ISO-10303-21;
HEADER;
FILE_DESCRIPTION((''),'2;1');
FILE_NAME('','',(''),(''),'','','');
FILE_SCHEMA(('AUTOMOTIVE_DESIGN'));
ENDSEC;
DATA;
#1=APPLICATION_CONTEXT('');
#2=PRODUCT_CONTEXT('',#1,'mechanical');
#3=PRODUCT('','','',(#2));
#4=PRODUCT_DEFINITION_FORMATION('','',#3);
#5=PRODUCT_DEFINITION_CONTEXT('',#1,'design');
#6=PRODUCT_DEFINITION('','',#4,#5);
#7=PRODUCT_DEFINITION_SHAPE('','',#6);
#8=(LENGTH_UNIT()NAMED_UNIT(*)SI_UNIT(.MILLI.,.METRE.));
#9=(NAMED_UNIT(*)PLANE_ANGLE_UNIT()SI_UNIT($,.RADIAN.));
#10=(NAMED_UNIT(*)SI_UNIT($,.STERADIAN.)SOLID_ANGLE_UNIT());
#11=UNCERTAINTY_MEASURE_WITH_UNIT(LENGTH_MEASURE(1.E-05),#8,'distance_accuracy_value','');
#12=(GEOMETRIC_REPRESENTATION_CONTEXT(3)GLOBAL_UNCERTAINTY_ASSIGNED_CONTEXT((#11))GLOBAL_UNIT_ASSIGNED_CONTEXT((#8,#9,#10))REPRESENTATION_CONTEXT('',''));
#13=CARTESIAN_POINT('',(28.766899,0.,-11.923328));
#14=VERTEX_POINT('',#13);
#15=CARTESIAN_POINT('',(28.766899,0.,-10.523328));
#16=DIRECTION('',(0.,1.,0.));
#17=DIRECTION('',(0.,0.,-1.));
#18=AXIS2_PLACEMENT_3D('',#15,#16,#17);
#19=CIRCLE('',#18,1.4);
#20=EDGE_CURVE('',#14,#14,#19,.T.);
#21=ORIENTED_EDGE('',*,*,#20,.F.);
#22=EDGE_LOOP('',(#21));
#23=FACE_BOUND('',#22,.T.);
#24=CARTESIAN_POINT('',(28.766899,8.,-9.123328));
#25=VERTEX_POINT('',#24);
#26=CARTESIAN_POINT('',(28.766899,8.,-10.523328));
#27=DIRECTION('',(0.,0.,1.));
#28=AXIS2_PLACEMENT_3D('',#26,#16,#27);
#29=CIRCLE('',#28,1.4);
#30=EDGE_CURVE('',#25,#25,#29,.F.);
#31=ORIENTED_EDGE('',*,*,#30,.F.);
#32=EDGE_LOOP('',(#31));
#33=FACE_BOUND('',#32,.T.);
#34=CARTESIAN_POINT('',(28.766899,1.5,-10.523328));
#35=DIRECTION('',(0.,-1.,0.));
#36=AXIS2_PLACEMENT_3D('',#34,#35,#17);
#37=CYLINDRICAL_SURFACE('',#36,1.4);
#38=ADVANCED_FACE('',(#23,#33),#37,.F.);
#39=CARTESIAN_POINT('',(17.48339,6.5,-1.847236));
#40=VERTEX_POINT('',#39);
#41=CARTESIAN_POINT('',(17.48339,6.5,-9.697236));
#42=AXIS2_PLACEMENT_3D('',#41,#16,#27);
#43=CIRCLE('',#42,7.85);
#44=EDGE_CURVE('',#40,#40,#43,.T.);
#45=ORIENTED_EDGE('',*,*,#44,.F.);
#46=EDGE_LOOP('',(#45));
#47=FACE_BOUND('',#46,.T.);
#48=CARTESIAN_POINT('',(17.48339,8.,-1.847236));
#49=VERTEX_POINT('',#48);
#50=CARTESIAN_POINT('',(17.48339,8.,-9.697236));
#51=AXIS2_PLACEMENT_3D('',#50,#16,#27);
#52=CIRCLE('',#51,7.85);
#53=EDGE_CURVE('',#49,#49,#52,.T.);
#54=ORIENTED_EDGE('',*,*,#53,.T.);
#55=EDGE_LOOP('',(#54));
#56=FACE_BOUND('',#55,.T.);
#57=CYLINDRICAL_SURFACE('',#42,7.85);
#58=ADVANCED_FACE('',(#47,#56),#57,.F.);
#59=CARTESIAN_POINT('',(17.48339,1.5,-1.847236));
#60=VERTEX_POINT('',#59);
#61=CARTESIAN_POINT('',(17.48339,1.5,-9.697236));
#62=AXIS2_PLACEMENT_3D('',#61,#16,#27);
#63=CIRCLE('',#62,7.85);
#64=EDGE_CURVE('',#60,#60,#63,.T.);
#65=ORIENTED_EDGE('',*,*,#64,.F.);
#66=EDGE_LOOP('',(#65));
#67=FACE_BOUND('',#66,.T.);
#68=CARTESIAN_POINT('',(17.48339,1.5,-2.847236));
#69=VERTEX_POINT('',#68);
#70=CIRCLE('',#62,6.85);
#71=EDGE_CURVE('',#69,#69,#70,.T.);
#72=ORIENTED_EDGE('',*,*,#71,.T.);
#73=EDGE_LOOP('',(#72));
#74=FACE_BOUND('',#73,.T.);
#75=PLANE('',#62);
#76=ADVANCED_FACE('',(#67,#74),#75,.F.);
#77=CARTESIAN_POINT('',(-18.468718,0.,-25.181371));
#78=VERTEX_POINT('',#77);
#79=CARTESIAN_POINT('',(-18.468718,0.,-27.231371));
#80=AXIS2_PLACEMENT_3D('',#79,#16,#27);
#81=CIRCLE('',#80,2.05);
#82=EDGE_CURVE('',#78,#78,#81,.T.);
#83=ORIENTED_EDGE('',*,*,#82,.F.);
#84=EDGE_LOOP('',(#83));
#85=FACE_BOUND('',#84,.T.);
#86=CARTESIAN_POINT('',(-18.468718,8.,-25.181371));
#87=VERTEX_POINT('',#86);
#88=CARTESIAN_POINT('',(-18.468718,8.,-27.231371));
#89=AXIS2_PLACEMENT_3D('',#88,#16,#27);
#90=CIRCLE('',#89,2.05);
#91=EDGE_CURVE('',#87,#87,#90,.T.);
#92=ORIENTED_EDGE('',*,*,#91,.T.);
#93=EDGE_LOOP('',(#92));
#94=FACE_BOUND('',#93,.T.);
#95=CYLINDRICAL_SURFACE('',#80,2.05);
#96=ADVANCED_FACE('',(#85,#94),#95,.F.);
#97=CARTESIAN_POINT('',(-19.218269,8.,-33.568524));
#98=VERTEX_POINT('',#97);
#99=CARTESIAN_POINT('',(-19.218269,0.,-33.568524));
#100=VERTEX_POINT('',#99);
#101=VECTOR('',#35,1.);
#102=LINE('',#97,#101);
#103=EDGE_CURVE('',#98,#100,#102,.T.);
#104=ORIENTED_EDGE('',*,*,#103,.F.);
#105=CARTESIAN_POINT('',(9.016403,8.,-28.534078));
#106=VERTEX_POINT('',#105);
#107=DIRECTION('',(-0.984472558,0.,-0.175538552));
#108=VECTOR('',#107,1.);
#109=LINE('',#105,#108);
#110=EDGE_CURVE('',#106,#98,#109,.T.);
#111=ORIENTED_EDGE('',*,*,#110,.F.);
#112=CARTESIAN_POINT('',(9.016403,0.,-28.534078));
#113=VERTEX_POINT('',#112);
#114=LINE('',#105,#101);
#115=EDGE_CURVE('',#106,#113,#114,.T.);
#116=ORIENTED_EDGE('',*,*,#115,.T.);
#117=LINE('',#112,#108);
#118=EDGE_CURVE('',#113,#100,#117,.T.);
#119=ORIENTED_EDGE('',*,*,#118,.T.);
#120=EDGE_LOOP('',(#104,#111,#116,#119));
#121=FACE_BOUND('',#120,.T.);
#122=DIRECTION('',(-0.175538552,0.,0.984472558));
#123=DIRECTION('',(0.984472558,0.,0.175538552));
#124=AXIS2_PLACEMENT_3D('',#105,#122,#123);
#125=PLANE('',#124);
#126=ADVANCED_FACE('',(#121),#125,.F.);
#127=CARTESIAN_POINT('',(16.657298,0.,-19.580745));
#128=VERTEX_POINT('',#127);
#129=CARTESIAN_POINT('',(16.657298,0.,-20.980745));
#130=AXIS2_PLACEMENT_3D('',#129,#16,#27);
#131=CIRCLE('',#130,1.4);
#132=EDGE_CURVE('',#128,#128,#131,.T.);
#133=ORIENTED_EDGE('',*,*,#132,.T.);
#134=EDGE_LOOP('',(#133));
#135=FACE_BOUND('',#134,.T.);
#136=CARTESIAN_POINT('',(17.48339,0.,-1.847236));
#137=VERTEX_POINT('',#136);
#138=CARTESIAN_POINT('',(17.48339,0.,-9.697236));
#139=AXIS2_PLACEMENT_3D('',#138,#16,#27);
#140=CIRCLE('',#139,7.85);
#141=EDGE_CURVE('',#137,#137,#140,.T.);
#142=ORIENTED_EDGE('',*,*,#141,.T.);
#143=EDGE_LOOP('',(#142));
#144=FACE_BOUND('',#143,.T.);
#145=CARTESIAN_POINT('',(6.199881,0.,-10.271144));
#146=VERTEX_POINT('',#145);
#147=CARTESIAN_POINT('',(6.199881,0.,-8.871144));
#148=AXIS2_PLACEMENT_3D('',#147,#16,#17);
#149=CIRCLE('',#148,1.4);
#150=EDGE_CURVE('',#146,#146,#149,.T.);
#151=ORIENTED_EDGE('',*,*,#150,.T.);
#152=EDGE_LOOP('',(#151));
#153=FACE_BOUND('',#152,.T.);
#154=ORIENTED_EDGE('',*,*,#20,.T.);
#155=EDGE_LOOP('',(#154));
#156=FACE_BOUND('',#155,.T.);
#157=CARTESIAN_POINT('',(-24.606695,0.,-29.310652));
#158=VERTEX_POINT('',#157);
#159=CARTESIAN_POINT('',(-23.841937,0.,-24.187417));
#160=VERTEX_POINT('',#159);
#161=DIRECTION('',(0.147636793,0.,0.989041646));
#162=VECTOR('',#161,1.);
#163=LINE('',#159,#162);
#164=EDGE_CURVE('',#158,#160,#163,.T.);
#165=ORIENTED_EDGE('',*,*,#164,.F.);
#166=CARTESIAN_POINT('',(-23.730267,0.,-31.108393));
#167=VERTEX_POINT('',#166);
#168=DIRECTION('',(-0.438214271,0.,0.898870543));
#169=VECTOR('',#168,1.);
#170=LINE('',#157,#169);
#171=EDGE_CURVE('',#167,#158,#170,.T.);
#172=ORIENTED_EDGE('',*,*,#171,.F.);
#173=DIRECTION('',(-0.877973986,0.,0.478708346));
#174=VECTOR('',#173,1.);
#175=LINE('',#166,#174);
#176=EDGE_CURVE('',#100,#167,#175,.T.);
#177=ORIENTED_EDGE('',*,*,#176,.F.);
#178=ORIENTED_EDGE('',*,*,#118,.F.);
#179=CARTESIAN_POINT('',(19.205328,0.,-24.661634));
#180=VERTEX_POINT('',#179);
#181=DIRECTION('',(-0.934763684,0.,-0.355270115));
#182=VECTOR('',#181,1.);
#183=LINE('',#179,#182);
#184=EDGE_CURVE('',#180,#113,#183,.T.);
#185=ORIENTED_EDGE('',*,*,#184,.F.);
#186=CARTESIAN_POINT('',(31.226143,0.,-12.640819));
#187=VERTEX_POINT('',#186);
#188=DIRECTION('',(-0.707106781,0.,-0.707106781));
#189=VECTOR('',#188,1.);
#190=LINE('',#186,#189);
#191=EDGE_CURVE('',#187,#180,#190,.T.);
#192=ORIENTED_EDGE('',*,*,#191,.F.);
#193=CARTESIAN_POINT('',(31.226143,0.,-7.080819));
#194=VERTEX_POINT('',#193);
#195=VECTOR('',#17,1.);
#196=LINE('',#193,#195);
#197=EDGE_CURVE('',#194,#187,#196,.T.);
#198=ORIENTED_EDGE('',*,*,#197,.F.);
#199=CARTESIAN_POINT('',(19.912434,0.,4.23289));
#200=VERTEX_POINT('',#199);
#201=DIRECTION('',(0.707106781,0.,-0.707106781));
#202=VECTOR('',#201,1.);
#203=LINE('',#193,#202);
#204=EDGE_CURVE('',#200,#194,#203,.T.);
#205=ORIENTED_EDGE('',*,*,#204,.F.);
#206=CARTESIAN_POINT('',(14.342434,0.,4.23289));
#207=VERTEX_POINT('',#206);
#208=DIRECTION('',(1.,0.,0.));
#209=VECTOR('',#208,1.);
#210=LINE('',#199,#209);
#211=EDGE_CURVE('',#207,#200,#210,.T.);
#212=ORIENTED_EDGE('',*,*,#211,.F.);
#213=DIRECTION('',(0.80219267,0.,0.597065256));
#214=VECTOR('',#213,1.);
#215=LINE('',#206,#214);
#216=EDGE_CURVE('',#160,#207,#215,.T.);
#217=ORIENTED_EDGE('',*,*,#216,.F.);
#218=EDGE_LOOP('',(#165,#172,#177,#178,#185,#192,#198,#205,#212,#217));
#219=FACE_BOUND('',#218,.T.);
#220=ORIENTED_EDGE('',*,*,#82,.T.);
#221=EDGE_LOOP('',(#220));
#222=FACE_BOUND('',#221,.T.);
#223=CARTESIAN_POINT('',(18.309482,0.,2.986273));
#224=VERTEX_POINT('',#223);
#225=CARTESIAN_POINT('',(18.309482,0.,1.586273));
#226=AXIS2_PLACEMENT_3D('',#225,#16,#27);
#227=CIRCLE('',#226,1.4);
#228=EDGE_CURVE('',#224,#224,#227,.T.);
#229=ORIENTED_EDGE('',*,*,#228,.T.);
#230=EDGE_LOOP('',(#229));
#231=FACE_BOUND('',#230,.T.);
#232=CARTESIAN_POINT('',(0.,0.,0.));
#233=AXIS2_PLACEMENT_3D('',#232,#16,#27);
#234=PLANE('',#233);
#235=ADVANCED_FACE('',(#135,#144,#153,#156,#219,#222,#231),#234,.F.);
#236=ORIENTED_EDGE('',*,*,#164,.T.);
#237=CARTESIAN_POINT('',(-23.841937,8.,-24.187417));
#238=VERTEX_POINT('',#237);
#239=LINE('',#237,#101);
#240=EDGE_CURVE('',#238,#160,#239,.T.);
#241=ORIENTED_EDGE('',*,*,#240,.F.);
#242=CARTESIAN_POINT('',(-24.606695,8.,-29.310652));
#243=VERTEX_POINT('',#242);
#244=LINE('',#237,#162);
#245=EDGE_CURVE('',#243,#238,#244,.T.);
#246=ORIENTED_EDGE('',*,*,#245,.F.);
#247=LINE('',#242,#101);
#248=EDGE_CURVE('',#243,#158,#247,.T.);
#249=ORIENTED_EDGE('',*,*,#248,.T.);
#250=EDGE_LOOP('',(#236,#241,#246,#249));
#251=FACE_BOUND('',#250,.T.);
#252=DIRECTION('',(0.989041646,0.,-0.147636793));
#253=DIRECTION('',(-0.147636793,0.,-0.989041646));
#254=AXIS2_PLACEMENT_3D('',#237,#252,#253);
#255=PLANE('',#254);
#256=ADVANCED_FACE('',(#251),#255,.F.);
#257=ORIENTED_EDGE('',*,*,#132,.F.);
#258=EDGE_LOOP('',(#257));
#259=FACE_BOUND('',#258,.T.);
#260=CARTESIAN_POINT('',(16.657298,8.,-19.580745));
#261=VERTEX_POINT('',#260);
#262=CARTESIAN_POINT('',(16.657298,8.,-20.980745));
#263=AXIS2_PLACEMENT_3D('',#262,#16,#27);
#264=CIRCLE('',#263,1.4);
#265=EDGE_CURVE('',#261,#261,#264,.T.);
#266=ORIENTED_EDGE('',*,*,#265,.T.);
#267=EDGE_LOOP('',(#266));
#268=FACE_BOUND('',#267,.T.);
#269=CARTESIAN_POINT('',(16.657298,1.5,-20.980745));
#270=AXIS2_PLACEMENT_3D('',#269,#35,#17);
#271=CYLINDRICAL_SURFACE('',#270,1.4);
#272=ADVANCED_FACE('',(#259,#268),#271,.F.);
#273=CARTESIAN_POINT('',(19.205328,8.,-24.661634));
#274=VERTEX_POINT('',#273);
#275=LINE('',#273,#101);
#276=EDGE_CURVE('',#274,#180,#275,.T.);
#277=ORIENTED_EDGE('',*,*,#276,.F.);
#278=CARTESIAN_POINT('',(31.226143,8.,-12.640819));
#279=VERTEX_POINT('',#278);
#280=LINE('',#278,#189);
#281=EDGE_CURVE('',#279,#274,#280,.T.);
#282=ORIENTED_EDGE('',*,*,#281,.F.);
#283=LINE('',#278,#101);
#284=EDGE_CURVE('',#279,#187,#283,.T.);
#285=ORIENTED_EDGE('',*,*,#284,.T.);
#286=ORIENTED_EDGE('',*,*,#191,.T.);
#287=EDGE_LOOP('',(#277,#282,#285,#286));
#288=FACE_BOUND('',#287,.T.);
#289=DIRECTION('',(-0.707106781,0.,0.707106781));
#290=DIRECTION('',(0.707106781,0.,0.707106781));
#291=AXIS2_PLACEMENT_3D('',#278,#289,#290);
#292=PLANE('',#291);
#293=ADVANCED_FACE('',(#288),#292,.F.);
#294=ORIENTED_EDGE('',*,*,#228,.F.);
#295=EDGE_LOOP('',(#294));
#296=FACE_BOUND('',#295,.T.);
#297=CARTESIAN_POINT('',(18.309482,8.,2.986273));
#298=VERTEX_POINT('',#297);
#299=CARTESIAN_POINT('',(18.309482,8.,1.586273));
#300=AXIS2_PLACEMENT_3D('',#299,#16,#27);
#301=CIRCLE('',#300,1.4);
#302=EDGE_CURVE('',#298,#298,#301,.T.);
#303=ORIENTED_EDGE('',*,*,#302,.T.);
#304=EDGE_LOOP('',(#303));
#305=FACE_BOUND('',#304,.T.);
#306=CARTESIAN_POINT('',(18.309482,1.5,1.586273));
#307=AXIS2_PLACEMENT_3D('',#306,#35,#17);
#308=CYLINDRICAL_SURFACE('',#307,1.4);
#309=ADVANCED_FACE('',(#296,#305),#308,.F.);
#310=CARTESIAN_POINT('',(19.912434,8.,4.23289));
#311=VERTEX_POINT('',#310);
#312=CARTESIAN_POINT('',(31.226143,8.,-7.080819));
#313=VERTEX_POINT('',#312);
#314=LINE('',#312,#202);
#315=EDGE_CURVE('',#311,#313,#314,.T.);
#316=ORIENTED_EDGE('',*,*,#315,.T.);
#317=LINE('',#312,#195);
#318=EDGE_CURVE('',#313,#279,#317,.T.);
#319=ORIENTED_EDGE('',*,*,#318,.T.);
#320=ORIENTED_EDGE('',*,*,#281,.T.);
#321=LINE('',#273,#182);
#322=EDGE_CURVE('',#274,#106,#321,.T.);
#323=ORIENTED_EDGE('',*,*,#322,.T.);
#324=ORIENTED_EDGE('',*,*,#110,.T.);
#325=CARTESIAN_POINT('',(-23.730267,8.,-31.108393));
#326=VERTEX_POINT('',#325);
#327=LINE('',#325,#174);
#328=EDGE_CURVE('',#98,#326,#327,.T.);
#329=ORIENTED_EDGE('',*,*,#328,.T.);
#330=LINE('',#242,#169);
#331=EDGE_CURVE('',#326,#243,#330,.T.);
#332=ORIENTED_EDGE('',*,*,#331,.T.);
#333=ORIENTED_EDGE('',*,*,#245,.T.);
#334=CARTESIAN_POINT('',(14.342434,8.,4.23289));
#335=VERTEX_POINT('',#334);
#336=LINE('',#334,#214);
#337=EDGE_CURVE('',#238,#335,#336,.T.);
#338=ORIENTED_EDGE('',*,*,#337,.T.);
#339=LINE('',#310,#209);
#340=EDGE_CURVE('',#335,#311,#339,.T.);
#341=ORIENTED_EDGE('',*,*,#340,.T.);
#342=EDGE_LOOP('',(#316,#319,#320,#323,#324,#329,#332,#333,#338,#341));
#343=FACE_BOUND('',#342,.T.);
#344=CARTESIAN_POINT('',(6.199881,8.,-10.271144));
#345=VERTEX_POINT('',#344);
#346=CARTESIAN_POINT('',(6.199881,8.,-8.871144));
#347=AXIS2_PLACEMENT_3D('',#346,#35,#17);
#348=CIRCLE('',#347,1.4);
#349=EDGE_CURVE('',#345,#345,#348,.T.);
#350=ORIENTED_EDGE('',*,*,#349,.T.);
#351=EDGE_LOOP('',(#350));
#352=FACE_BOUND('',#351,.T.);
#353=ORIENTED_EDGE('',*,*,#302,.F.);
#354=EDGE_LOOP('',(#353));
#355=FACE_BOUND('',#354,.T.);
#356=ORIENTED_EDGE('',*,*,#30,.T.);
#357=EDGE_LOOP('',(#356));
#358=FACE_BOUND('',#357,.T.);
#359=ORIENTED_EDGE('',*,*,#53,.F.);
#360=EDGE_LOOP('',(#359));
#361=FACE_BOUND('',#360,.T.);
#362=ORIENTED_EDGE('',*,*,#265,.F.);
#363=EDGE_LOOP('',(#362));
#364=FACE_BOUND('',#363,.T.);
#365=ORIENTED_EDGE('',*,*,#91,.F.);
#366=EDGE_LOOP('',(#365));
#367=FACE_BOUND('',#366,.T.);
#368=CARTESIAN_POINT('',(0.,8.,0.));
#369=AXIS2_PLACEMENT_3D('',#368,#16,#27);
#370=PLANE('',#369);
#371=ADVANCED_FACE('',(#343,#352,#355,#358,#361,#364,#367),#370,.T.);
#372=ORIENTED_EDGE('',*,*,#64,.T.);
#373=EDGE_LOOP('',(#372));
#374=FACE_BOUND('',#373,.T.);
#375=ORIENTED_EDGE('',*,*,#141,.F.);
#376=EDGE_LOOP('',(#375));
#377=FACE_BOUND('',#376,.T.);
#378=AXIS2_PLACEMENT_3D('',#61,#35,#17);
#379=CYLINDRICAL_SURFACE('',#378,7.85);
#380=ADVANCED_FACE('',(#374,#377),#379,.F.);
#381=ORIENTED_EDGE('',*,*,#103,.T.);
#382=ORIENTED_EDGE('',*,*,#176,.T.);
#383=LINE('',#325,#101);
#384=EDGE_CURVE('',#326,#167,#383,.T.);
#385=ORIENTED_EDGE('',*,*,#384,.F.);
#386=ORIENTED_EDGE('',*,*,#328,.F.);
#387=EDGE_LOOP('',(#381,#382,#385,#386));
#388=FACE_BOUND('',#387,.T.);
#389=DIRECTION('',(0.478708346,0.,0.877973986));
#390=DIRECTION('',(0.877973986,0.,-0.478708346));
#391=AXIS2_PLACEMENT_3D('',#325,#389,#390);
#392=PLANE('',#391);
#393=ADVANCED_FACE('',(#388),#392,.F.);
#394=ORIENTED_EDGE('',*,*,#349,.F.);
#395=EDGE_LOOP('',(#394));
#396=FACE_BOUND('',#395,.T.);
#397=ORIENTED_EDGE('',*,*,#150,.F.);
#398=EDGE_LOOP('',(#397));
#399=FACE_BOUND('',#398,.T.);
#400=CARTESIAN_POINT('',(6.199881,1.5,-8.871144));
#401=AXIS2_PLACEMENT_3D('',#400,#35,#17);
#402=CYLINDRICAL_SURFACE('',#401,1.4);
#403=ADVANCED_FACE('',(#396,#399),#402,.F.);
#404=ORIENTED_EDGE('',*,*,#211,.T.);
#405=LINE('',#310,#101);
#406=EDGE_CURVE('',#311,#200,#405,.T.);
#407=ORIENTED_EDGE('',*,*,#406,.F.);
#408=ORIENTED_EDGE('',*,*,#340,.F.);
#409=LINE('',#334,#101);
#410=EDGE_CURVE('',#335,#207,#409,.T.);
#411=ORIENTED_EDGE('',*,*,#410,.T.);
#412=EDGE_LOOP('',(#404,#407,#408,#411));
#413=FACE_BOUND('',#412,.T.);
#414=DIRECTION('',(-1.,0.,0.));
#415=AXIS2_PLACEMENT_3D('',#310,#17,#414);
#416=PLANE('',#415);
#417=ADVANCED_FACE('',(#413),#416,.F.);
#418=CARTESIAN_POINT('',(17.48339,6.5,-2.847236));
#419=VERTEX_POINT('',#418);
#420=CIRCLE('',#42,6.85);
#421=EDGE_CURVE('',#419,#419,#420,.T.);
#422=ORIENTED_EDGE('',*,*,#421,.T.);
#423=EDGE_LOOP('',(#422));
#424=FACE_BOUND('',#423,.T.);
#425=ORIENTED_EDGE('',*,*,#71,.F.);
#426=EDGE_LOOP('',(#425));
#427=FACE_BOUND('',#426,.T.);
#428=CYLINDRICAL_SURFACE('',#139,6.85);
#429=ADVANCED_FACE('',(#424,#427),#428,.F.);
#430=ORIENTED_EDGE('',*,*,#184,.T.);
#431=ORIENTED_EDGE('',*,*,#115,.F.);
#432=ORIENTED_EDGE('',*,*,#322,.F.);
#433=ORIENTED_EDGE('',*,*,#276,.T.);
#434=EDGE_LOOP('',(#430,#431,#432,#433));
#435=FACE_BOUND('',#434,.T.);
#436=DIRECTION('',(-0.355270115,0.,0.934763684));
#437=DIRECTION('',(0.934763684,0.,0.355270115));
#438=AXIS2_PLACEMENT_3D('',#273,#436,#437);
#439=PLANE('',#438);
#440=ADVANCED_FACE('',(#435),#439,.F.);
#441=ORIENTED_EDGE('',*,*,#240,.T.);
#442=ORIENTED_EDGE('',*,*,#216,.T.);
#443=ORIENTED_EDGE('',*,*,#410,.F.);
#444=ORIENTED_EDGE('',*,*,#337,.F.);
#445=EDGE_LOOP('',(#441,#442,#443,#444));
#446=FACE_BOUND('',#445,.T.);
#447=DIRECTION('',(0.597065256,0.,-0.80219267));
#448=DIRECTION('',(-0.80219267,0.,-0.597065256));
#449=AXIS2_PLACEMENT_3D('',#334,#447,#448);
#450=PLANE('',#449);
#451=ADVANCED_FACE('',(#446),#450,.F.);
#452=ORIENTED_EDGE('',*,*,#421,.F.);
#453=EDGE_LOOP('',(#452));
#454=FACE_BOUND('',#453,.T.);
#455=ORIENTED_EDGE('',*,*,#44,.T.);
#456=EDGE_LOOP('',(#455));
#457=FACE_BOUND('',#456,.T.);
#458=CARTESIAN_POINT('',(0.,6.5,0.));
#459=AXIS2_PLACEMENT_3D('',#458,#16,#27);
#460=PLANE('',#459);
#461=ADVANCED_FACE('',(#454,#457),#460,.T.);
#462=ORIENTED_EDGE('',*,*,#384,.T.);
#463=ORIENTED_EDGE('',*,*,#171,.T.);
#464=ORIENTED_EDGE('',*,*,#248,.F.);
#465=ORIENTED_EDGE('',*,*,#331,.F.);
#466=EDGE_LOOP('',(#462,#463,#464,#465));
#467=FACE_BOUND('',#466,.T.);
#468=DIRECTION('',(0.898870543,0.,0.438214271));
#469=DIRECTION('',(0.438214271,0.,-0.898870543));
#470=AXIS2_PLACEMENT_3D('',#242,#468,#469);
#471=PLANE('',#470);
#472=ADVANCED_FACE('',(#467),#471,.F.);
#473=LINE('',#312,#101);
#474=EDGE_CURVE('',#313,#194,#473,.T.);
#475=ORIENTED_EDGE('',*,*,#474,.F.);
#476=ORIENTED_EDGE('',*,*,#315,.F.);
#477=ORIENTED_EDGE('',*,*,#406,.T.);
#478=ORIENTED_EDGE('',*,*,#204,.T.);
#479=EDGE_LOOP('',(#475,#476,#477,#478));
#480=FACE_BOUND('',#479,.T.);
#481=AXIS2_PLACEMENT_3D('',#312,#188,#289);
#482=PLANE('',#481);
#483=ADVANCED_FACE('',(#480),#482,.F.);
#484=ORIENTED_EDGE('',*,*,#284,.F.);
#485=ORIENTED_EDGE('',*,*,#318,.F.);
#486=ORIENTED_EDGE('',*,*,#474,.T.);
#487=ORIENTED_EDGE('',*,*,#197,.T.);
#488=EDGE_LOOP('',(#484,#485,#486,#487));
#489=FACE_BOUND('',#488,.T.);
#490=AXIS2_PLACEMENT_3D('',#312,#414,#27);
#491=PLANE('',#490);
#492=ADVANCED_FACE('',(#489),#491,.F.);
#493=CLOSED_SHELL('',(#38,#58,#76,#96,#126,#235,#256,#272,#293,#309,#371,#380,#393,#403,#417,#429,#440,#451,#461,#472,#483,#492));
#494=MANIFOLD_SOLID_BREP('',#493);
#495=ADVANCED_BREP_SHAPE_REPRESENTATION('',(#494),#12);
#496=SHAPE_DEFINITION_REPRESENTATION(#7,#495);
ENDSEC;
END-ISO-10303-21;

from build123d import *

# Parameters (mm, degrees)
BOSS_EXTRUDE1_DEPTH = 8
SKETCH2_R           = 2.05
SKETCH2_R_2         = 6.85
CUT_EXTRUDE1_DEPTH  = 8
SKETCH2_4_R         = 7.85
SKETCH2_4_R_2       = 6.85
CUT_EXTRUDE2_DEPTH  = 1.5
CUT_EXTRUDE3_START  = -6.5
SKETCH2_5_R         = 7.85
SKETCH2_5_R_2       = 6.85
SKETCH2_5_R_3       = 2.05
SKETCH2_5_R_4       = 1.4
CUT_EXTRUDE3_DEPTH  = 1.5
SKETCH2_6_R         = 1.4
CUT_EXTRUDE4_DEPTH  = 10


with BuildPart() as part:
    # Sketch1 → Boss-Extrude1 (new body)
    with BuildSketch(Plane(origin=(0, 0, 0), x_dir=(1, 0, 0), z_dir=(0, 1, 0))):
        Polygon((31.226142903, 7.08081886), (19.912434404, -4.232889639), (14.342434404, -4.232889639), (-23.841936683, 24.187416566), (-24.606695271, 29.310652291), (-23.730266729, 31.108393377), (-19.218269492, 33.568524054), (9.016403464, 28.534078393), (19.205327622, 24.661634141), (31.226142903, 12.64081886), align=None)
    extrude(amount=BOSS_EXTRUDE1_DEPTH)

    # Sketch2 → Cut-Extrude1 (cut)
    with BuildSketch(Plane(origin=(0, 8, 0), x_dir=(1, 0, 0), z_dir=(0, 1, 0))):
        with Locations((-18.468718365, 27.231371116)):
            Circle(SKETCH2_R)
        with Locations((17.48339004, 9.697235801)):
            Circle(SKETCH2_R_2)
    extrude(amount=-CUT_EXTRUDE1_DEPTH, mode=Mode.SUBTRACT)

    # Sketch2<4> → Cut-Extrude2 (cut)
    with BuildSketch(Plane(origin=(0, 8, 0), x_dir=(1, 0, 0), z_dir=(0, 1, 0))):
        with Locations((17.48339004, 9.697235801)):
            Circle(SKETCH2_4_R)
        with Locations((17.48339004, 9.697235801)):
            Circle(SKETCH2_4_R_2, mode=Mode.SUBTRACT)
    extrude(amount=-CUT_EXTRUDE2_DEPTH, mode=Mode.SUBTRACT)

    # Sketch2<5> → Cut-Extrude3 (cut)
    # profile 1 of 6: a face of its own
    with BuildSketch(Plane(origin=(0, 8, 0), x_dir=(1, 0, 0), z_dir=(0, 1, 0)).offset(CUT_EXTRUDE3_START)):
        with Locations((17.48339004, 9.697235801)):
            Circle(SKETCH2_5_R)
        with Locations((17.48339004, 9.697235801)):
            Circle(SKETCH2_5_R_2, mode=Mode.SUBTRACT)
    # profile 2 of 6: a face of its own
    with BuildSketch(Plane(origin=(0, 8, 0), x_dir=(1, 0, 0), z_dir=(0, 1, 0)).offset(CUT_EXTRUDE3_START)):
        with Locations((-18.468718365, 27.231371116)):
            Circle(SKETCH2_5_R_3)
    # profile 3 of 6: a face of its own
    with BuildSketch(Plane(origin=(0, 8, 0), x_dir=(1, 0, 0), z_dir=(0, 1, 0)).offset(CUT_EXTRUDE3_START)):
        with Locations((16.657298103, 20.980744657)):
            Circle(SKETCH2_5_R_4)
    # profile 4 of 6: a face of its own
    with BuildSketch(Plane(origin=(0, 8, 0), x_dir=(1, 0, 0), z_dir=(0, 1, 0)).offset(CUT_EXTRUDE3_START)):
        with Locations((28.766898896, 10.523327737)):
            Circle(SKETCH2_5_R_4)
    # profile 5 of 6: a face of its own
    with BuildSketch(Plane(origin=(0, 8, 0), x_dir=(1, 0, 0), z_dir=(0, 1, 0)).offset(CUT_EXTRUDE3_START)):
        with Locations((6.199881183, 8.871143864)):
            Circle(SKETCH2_5_R_4)
    # profile 6 of 6: a face of its own
    with BuildSketch(Plane(origin=(0, 8, 0), x_dir=(1, 0, 0), z_dir=(0, 1, 0)).offset(CUT_EXTRUDE3_START)):
        with Locations((18.309481976, -1.586273056)):
            Circle(SKETCH2_5_R_4)
    extrude(amount=-CUT_EXTRUDE3_DEPTH, mode=Mode.SUBTRACT)

    # Sketch2<6> → Cut-Extrude4 (cut)
    with BuildSketch(Plane(origin=(0, 8, 0), x_dir=(1, 0, 0), z_dir=(0, 1, 0))):
        with Locations((16.657298103, 20.980744657)):
            Circle(SKETCH2_6_R)
        with Locations((28.766898896, 10.523327737)):
            Circle(SKETCH2_6_R)
        with Locations((6.199881183, 8.871143864)):
            Circle(SKETCH2_6_R)
        with Locations((18.309481976, -1.586273056)):
            Circle(SKETCH2_6_R)
    extrude(amount=-CUT_EXTRUDE4_DEPTH, mode=Mode.SUBTRACT)


solid = part.part
